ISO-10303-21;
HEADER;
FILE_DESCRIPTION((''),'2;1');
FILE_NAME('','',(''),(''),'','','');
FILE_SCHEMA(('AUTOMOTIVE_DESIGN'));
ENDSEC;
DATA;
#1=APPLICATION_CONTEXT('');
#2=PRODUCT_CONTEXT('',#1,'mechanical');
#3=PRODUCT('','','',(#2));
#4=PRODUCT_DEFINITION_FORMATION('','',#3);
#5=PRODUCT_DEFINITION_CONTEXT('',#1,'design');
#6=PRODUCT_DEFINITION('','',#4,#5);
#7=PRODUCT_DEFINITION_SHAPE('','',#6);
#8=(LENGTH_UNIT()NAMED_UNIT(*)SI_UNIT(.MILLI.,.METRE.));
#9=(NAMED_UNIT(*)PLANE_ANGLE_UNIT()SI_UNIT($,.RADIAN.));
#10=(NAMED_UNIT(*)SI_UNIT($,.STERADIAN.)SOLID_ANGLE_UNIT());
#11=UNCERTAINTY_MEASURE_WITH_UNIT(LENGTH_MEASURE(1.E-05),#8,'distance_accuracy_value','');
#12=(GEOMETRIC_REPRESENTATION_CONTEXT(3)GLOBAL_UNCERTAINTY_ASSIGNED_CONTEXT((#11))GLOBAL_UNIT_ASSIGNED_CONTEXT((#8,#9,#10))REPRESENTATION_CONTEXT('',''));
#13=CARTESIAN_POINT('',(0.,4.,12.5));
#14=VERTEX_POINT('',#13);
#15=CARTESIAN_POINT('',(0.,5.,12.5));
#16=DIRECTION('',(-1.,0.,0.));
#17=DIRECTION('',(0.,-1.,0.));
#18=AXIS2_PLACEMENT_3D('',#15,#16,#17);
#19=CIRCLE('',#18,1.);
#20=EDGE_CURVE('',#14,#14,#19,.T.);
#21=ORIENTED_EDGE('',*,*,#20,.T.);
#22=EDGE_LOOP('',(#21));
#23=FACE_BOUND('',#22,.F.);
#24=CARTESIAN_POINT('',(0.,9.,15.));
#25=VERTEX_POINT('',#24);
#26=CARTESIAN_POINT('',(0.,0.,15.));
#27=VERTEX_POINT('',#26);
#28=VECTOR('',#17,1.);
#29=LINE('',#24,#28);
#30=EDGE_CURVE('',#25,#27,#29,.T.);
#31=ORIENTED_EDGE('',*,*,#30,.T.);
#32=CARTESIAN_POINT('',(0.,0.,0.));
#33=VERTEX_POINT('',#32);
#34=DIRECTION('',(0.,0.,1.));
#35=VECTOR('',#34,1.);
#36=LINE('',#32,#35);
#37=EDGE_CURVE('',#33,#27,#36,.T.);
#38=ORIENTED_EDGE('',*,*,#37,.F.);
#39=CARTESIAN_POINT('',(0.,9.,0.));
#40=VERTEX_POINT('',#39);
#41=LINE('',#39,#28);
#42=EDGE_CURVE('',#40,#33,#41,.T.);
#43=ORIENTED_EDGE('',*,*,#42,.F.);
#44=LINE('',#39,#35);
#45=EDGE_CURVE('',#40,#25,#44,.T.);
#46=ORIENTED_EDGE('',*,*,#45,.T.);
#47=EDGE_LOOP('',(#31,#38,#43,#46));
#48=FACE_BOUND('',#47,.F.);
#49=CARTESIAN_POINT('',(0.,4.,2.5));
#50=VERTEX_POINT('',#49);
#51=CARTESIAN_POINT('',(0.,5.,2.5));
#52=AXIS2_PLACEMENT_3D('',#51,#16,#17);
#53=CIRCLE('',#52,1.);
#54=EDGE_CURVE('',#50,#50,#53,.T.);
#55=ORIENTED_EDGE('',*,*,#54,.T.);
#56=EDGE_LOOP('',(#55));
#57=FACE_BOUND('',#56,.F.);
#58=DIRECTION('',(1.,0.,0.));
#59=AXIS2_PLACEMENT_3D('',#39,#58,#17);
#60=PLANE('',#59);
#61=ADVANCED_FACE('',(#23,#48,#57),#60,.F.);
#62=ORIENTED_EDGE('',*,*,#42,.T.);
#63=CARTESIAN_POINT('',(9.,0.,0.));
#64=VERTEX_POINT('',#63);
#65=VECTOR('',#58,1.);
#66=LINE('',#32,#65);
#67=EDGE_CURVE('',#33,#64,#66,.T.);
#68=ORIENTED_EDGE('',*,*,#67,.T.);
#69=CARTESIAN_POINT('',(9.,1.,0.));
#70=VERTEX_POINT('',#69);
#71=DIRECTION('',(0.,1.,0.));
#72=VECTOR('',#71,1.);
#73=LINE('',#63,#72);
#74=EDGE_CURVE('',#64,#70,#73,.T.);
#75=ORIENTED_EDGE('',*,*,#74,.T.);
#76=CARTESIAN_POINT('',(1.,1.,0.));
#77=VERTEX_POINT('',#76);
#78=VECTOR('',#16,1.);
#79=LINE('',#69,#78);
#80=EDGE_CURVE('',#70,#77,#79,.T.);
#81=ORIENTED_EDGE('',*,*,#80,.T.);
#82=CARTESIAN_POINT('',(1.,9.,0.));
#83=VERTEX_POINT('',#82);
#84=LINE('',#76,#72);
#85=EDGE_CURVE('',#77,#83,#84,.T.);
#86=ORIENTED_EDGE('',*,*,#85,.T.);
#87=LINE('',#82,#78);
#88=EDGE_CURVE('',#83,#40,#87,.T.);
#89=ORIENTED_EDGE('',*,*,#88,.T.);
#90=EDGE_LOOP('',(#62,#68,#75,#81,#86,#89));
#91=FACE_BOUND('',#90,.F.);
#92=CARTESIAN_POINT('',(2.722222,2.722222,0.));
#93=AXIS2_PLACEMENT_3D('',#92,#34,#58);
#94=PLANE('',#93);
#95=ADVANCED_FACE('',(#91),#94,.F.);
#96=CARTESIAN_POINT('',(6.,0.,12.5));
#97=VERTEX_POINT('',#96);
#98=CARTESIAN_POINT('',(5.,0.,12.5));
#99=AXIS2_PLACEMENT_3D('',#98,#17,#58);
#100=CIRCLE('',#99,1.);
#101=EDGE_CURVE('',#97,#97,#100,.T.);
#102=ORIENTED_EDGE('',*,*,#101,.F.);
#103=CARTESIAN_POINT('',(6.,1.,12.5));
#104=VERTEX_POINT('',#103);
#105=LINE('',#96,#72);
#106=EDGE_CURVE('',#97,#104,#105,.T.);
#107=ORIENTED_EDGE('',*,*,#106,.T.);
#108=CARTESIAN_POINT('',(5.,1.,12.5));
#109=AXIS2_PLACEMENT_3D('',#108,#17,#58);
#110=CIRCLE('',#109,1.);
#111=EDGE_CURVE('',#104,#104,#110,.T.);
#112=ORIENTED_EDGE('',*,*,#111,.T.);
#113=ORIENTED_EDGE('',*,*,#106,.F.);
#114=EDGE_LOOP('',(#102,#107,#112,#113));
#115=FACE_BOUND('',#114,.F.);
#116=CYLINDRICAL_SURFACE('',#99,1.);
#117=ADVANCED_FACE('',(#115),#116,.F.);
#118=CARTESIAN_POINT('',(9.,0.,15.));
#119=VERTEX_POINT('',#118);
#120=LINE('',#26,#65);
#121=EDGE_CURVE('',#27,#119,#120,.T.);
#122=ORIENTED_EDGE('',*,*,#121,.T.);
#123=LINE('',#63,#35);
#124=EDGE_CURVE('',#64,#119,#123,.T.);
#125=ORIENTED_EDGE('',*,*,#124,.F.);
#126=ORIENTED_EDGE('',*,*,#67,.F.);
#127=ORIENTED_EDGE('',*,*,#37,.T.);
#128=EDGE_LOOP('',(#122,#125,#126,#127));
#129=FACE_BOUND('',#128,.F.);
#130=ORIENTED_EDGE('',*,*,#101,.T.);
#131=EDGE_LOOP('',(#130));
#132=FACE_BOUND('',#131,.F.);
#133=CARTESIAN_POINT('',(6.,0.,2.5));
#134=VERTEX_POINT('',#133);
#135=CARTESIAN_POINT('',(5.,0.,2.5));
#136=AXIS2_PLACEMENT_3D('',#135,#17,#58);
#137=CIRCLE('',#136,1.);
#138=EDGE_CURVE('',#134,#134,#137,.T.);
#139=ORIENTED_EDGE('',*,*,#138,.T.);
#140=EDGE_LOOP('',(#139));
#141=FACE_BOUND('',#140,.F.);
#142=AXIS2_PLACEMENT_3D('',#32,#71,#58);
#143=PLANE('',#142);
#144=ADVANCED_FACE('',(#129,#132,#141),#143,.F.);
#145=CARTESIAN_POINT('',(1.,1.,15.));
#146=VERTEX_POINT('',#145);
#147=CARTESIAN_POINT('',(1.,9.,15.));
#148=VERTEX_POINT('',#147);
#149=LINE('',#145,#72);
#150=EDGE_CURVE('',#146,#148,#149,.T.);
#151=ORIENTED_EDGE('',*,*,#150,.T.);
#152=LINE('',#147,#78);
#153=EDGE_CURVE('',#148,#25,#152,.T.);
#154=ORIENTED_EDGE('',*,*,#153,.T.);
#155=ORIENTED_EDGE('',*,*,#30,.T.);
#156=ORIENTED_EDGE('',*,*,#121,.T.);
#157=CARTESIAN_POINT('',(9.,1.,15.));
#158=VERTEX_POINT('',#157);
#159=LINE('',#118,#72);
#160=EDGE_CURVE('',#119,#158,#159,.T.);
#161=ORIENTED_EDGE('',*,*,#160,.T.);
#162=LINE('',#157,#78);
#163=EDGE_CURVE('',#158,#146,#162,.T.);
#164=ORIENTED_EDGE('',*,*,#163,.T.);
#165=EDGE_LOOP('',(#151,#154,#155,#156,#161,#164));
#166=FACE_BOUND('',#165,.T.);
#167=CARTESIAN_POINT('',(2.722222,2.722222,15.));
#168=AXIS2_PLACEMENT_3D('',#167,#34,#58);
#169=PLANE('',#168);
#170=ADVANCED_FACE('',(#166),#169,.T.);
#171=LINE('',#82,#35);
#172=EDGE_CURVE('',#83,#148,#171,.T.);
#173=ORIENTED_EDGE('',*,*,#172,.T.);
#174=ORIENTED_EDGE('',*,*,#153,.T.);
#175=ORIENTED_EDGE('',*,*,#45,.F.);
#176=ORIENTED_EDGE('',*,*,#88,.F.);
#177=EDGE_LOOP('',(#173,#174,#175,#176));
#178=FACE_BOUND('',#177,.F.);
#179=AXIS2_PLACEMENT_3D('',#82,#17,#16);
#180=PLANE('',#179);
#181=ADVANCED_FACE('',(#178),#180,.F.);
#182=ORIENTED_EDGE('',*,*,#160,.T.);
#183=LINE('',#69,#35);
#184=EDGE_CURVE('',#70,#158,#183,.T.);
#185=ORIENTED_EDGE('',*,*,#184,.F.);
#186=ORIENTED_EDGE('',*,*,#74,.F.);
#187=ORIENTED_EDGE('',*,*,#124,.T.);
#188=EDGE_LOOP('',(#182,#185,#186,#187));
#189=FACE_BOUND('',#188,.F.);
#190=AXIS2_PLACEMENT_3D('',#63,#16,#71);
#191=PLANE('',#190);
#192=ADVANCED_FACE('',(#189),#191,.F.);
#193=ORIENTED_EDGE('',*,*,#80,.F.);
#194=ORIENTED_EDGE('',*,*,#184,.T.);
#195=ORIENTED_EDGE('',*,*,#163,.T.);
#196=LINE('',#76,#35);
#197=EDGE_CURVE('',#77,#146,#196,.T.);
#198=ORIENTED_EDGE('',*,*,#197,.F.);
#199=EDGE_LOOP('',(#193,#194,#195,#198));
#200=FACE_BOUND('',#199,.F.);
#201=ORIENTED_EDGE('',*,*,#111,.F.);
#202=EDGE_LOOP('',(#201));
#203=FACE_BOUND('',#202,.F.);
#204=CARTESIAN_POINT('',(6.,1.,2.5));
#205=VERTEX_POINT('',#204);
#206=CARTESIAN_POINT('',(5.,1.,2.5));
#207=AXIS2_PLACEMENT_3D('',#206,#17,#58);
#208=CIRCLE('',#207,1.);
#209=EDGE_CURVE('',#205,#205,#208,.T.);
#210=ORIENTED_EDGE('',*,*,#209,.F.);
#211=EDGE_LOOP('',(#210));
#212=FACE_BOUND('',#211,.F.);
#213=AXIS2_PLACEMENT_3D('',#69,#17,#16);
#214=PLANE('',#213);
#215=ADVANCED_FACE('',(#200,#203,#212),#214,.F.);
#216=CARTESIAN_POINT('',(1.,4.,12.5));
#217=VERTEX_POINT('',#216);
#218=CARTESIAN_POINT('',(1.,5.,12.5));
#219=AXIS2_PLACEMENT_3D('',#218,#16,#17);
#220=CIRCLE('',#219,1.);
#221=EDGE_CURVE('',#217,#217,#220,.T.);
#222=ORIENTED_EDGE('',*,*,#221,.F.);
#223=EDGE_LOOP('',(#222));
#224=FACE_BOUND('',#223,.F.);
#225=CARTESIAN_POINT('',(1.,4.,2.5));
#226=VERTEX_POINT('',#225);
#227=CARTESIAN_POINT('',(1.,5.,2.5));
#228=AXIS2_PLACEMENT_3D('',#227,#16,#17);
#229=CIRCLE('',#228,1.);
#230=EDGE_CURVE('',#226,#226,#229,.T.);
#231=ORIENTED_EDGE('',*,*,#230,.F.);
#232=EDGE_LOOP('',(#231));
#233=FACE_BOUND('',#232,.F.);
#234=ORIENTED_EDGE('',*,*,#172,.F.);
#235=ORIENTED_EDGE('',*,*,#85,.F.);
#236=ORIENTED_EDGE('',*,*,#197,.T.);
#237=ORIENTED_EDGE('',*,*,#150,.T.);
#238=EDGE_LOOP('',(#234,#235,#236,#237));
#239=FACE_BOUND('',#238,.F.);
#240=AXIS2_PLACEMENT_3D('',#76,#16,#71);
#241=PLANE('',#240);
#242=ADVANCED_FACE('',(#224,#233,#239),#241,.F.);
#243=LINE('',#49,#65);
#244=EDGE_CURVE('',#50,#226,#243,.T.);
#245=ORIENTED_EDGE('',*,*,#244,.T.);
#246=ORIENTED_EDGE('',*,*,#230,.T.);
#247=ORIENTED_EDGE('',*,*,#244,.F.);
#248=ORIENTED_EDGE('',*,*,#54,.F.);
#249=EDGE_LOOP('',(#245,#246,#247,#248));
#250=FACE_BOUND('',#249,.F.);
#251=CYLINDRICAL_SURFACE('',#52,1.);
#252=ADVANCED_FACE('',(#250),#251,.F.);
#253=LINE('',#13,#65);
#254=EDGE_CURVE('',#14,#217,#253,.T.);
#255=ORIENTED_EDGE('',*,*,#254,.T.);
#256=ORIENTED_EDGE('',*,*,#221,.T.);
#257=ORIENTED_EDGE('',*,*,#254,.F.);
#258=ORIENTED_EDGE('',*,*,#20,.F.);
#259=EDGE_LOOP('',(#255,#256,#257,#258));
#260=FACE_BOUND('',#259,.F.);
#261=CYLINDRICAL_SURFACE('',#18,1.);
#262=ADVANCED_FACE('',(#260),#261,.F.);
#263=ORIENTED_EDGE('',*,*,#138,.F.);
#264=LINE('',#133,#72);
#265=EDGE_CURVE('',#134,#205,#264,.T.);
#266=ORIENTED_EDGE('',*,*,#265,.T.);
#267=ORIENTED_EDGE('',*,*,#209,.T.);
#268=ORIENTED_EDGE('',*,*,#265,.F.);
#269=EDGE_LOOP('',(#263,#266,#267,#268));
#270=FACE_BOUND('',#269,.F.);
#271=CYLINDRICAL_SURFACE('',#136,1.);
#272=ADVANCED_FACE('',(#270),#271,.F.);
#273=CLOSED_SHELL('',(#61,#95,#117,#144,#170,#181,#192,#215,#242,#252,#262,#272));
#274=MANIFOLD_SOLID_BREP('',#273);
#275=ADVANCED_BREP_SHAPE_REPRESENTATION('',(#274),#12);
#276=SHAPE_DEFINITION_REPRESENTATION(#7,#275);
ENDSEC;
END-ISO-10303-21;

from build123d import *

# Parameters (mm, degrees)
F1_DEPTH = 15
F2_R     = 1
F3_DEPTH = 1
F4_R     = 1
F5_DEPTH = 1


with BuildPart() as f1:
    # F0 (on Top) → F1 (new body)
    with BuildSketch(Plane.XY):
        Polygon((0, 9), (0, 0), (9, 0), (9, 1), (1, 1), (1, 9), align=None)
    extrude(amount=F1_DEPTH)

    # F2 (on face) → F3 (cut, through all)
    with BuildSketch(Plane.XZ):
        with Locations((5, 12.5)):
            Circle(F2_R)
        with Locations((5, 2.5)):
            Circle(F2_R)
    extrude(amount=-F3_DEPTH, mode=Mode.SUBTRACT)

    # F4 (on face) → F5 (cut, through all)
    with BuildSketch(Plane(origin=(0, 0, 0), x_dir=(0, -1, 0), z_dir=(-1, 0, 0))):
        with Locations((-5, 12.5)):
            Circle(F4_R)
        with Locations((-5, 2.5)):
            Circle(F4_R)
    extrude(amount=-F5_DEPTH, mode=Mode.SUBTRACT)


solid = f1.part
